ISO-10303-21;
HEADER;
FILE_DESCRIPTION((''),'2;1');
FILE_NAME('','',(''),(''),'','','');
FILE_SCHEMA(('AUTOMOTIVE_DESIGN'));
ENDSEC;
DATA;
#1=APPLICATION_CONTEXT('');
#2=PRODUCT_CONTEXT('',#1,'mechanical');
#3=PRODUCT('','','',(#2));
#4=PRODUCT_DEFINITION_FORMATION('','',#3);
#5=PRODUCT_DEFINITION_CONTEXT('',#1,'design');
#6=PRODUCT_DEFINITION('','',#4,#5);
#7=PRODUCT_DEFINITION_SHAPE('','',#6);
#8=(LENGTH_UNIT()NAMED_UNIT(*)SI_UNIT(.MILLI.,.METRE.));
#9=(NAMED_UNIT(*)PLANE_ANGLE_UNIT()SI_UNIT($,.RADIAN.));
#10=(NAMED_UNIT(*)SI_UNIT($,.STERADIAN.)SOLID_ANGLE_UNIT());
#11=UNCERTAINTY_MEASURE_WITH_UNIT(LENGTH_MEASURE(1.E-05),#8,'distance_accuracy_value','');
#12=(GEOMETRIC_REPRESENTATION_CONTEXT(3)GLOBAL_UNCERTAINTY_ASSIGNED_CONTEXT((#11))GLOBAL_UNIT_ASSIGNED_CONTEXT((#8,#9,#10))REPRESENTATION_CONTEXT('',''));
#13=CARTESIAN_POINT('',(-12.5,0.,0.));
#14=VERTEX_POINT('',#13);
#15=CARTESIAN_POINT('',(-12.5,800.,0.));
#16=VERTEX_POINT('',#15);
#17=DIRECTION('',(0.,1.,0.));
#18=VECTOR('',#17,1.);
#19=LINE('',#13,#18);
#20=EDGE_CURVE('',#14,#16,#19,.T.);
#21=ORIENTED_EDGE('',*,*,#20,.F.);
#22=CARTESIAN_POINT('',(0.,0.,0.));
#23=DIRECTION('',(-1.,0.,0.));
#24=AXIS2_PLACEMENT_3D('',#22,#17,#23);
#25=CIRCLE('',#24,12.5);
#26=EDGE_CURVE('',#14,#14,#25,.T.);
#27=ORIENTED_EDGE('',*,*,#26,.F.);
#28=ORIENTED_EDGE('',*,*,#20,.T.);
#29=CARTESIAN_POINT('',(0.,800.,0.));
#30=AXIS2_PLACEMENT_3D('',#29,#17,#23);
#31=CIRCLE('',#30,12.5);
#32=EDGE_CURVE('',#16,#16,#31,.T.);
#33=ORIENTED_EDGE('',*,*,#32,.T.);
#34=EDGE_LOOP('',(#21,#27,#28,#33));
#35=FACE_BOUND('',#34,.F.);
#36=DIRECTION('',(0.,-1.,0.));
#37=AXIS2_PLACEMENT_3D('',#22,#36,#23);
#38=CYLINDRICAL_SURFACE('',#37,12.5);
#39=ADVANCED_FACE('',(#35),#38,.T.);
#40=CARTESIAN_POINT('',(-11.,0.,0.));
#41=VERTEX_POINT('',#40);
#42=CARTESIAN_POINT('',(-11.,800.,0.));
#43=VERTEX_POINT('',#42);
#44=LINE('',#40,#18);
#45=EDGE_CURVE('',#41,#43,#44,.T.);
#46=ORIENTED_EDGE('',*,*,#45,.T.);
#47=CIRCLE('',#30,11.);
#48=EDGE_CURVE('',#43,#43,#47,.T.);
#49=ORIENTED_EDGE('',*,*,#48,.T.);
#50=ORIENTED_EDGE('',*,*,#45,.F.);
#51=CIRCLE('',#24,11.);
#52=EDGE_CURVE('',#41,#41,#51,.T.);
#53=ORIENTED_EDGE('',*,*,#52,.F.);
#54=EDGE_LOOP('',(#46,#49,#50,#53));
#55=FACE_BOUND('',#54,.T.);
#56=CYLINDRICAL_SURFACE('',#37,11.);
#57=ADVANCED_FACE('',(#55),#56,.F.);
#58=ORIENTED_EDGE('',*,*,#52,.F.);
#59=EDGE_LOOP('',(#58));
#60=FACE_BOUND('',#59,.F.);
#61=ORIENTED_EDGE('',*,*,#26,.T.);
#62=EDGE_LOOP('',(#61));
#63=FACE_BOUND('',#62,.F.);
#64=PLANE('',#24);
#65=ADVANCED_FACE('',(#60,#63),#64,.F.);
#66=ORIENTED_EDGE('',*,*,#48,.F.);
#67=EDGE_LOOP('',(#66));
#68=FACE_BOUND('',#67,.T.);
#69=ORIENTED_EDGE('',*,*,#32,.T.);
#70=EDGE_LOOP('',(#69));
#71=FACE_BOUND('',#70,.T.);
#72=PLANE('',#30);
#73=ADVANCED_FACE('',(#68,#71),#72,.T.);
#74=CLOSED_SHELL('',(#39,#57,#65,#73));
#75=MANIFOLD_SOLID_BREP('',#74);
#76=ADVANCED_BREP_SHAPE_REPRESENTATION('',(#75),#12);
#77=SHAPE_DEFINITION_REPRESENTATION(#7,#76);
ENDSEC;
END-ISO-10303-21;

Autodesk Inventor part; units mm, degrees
ref_plane "YZ Plane" through (0, 0, 0) normal (1, 0, 0) x (0, 1, 0)
ref_plane "XZ Plane" through (0, 0, 0) normal (0, 1, 0) x (-1, 0, 0)
ref_plane "XY Plane" through (0, 0, 0) normal (0, 0, 1) x (1, 0, 0)
sketch "Sketch1" plane through (0, 0, 0) normal (0, 1, 0) x (-1, 0, 0)
  circle A0 centre (0, 0) radius 12.5
  circle A1 centre (0, 0) radius 11
  dimension "d0" = 25
  dimension "d1" = 22
extrude "Extrusion1" add sketch "Sketch1" along normal blind 800
properties part number "carbon_fiber_body" material "CFRP"
